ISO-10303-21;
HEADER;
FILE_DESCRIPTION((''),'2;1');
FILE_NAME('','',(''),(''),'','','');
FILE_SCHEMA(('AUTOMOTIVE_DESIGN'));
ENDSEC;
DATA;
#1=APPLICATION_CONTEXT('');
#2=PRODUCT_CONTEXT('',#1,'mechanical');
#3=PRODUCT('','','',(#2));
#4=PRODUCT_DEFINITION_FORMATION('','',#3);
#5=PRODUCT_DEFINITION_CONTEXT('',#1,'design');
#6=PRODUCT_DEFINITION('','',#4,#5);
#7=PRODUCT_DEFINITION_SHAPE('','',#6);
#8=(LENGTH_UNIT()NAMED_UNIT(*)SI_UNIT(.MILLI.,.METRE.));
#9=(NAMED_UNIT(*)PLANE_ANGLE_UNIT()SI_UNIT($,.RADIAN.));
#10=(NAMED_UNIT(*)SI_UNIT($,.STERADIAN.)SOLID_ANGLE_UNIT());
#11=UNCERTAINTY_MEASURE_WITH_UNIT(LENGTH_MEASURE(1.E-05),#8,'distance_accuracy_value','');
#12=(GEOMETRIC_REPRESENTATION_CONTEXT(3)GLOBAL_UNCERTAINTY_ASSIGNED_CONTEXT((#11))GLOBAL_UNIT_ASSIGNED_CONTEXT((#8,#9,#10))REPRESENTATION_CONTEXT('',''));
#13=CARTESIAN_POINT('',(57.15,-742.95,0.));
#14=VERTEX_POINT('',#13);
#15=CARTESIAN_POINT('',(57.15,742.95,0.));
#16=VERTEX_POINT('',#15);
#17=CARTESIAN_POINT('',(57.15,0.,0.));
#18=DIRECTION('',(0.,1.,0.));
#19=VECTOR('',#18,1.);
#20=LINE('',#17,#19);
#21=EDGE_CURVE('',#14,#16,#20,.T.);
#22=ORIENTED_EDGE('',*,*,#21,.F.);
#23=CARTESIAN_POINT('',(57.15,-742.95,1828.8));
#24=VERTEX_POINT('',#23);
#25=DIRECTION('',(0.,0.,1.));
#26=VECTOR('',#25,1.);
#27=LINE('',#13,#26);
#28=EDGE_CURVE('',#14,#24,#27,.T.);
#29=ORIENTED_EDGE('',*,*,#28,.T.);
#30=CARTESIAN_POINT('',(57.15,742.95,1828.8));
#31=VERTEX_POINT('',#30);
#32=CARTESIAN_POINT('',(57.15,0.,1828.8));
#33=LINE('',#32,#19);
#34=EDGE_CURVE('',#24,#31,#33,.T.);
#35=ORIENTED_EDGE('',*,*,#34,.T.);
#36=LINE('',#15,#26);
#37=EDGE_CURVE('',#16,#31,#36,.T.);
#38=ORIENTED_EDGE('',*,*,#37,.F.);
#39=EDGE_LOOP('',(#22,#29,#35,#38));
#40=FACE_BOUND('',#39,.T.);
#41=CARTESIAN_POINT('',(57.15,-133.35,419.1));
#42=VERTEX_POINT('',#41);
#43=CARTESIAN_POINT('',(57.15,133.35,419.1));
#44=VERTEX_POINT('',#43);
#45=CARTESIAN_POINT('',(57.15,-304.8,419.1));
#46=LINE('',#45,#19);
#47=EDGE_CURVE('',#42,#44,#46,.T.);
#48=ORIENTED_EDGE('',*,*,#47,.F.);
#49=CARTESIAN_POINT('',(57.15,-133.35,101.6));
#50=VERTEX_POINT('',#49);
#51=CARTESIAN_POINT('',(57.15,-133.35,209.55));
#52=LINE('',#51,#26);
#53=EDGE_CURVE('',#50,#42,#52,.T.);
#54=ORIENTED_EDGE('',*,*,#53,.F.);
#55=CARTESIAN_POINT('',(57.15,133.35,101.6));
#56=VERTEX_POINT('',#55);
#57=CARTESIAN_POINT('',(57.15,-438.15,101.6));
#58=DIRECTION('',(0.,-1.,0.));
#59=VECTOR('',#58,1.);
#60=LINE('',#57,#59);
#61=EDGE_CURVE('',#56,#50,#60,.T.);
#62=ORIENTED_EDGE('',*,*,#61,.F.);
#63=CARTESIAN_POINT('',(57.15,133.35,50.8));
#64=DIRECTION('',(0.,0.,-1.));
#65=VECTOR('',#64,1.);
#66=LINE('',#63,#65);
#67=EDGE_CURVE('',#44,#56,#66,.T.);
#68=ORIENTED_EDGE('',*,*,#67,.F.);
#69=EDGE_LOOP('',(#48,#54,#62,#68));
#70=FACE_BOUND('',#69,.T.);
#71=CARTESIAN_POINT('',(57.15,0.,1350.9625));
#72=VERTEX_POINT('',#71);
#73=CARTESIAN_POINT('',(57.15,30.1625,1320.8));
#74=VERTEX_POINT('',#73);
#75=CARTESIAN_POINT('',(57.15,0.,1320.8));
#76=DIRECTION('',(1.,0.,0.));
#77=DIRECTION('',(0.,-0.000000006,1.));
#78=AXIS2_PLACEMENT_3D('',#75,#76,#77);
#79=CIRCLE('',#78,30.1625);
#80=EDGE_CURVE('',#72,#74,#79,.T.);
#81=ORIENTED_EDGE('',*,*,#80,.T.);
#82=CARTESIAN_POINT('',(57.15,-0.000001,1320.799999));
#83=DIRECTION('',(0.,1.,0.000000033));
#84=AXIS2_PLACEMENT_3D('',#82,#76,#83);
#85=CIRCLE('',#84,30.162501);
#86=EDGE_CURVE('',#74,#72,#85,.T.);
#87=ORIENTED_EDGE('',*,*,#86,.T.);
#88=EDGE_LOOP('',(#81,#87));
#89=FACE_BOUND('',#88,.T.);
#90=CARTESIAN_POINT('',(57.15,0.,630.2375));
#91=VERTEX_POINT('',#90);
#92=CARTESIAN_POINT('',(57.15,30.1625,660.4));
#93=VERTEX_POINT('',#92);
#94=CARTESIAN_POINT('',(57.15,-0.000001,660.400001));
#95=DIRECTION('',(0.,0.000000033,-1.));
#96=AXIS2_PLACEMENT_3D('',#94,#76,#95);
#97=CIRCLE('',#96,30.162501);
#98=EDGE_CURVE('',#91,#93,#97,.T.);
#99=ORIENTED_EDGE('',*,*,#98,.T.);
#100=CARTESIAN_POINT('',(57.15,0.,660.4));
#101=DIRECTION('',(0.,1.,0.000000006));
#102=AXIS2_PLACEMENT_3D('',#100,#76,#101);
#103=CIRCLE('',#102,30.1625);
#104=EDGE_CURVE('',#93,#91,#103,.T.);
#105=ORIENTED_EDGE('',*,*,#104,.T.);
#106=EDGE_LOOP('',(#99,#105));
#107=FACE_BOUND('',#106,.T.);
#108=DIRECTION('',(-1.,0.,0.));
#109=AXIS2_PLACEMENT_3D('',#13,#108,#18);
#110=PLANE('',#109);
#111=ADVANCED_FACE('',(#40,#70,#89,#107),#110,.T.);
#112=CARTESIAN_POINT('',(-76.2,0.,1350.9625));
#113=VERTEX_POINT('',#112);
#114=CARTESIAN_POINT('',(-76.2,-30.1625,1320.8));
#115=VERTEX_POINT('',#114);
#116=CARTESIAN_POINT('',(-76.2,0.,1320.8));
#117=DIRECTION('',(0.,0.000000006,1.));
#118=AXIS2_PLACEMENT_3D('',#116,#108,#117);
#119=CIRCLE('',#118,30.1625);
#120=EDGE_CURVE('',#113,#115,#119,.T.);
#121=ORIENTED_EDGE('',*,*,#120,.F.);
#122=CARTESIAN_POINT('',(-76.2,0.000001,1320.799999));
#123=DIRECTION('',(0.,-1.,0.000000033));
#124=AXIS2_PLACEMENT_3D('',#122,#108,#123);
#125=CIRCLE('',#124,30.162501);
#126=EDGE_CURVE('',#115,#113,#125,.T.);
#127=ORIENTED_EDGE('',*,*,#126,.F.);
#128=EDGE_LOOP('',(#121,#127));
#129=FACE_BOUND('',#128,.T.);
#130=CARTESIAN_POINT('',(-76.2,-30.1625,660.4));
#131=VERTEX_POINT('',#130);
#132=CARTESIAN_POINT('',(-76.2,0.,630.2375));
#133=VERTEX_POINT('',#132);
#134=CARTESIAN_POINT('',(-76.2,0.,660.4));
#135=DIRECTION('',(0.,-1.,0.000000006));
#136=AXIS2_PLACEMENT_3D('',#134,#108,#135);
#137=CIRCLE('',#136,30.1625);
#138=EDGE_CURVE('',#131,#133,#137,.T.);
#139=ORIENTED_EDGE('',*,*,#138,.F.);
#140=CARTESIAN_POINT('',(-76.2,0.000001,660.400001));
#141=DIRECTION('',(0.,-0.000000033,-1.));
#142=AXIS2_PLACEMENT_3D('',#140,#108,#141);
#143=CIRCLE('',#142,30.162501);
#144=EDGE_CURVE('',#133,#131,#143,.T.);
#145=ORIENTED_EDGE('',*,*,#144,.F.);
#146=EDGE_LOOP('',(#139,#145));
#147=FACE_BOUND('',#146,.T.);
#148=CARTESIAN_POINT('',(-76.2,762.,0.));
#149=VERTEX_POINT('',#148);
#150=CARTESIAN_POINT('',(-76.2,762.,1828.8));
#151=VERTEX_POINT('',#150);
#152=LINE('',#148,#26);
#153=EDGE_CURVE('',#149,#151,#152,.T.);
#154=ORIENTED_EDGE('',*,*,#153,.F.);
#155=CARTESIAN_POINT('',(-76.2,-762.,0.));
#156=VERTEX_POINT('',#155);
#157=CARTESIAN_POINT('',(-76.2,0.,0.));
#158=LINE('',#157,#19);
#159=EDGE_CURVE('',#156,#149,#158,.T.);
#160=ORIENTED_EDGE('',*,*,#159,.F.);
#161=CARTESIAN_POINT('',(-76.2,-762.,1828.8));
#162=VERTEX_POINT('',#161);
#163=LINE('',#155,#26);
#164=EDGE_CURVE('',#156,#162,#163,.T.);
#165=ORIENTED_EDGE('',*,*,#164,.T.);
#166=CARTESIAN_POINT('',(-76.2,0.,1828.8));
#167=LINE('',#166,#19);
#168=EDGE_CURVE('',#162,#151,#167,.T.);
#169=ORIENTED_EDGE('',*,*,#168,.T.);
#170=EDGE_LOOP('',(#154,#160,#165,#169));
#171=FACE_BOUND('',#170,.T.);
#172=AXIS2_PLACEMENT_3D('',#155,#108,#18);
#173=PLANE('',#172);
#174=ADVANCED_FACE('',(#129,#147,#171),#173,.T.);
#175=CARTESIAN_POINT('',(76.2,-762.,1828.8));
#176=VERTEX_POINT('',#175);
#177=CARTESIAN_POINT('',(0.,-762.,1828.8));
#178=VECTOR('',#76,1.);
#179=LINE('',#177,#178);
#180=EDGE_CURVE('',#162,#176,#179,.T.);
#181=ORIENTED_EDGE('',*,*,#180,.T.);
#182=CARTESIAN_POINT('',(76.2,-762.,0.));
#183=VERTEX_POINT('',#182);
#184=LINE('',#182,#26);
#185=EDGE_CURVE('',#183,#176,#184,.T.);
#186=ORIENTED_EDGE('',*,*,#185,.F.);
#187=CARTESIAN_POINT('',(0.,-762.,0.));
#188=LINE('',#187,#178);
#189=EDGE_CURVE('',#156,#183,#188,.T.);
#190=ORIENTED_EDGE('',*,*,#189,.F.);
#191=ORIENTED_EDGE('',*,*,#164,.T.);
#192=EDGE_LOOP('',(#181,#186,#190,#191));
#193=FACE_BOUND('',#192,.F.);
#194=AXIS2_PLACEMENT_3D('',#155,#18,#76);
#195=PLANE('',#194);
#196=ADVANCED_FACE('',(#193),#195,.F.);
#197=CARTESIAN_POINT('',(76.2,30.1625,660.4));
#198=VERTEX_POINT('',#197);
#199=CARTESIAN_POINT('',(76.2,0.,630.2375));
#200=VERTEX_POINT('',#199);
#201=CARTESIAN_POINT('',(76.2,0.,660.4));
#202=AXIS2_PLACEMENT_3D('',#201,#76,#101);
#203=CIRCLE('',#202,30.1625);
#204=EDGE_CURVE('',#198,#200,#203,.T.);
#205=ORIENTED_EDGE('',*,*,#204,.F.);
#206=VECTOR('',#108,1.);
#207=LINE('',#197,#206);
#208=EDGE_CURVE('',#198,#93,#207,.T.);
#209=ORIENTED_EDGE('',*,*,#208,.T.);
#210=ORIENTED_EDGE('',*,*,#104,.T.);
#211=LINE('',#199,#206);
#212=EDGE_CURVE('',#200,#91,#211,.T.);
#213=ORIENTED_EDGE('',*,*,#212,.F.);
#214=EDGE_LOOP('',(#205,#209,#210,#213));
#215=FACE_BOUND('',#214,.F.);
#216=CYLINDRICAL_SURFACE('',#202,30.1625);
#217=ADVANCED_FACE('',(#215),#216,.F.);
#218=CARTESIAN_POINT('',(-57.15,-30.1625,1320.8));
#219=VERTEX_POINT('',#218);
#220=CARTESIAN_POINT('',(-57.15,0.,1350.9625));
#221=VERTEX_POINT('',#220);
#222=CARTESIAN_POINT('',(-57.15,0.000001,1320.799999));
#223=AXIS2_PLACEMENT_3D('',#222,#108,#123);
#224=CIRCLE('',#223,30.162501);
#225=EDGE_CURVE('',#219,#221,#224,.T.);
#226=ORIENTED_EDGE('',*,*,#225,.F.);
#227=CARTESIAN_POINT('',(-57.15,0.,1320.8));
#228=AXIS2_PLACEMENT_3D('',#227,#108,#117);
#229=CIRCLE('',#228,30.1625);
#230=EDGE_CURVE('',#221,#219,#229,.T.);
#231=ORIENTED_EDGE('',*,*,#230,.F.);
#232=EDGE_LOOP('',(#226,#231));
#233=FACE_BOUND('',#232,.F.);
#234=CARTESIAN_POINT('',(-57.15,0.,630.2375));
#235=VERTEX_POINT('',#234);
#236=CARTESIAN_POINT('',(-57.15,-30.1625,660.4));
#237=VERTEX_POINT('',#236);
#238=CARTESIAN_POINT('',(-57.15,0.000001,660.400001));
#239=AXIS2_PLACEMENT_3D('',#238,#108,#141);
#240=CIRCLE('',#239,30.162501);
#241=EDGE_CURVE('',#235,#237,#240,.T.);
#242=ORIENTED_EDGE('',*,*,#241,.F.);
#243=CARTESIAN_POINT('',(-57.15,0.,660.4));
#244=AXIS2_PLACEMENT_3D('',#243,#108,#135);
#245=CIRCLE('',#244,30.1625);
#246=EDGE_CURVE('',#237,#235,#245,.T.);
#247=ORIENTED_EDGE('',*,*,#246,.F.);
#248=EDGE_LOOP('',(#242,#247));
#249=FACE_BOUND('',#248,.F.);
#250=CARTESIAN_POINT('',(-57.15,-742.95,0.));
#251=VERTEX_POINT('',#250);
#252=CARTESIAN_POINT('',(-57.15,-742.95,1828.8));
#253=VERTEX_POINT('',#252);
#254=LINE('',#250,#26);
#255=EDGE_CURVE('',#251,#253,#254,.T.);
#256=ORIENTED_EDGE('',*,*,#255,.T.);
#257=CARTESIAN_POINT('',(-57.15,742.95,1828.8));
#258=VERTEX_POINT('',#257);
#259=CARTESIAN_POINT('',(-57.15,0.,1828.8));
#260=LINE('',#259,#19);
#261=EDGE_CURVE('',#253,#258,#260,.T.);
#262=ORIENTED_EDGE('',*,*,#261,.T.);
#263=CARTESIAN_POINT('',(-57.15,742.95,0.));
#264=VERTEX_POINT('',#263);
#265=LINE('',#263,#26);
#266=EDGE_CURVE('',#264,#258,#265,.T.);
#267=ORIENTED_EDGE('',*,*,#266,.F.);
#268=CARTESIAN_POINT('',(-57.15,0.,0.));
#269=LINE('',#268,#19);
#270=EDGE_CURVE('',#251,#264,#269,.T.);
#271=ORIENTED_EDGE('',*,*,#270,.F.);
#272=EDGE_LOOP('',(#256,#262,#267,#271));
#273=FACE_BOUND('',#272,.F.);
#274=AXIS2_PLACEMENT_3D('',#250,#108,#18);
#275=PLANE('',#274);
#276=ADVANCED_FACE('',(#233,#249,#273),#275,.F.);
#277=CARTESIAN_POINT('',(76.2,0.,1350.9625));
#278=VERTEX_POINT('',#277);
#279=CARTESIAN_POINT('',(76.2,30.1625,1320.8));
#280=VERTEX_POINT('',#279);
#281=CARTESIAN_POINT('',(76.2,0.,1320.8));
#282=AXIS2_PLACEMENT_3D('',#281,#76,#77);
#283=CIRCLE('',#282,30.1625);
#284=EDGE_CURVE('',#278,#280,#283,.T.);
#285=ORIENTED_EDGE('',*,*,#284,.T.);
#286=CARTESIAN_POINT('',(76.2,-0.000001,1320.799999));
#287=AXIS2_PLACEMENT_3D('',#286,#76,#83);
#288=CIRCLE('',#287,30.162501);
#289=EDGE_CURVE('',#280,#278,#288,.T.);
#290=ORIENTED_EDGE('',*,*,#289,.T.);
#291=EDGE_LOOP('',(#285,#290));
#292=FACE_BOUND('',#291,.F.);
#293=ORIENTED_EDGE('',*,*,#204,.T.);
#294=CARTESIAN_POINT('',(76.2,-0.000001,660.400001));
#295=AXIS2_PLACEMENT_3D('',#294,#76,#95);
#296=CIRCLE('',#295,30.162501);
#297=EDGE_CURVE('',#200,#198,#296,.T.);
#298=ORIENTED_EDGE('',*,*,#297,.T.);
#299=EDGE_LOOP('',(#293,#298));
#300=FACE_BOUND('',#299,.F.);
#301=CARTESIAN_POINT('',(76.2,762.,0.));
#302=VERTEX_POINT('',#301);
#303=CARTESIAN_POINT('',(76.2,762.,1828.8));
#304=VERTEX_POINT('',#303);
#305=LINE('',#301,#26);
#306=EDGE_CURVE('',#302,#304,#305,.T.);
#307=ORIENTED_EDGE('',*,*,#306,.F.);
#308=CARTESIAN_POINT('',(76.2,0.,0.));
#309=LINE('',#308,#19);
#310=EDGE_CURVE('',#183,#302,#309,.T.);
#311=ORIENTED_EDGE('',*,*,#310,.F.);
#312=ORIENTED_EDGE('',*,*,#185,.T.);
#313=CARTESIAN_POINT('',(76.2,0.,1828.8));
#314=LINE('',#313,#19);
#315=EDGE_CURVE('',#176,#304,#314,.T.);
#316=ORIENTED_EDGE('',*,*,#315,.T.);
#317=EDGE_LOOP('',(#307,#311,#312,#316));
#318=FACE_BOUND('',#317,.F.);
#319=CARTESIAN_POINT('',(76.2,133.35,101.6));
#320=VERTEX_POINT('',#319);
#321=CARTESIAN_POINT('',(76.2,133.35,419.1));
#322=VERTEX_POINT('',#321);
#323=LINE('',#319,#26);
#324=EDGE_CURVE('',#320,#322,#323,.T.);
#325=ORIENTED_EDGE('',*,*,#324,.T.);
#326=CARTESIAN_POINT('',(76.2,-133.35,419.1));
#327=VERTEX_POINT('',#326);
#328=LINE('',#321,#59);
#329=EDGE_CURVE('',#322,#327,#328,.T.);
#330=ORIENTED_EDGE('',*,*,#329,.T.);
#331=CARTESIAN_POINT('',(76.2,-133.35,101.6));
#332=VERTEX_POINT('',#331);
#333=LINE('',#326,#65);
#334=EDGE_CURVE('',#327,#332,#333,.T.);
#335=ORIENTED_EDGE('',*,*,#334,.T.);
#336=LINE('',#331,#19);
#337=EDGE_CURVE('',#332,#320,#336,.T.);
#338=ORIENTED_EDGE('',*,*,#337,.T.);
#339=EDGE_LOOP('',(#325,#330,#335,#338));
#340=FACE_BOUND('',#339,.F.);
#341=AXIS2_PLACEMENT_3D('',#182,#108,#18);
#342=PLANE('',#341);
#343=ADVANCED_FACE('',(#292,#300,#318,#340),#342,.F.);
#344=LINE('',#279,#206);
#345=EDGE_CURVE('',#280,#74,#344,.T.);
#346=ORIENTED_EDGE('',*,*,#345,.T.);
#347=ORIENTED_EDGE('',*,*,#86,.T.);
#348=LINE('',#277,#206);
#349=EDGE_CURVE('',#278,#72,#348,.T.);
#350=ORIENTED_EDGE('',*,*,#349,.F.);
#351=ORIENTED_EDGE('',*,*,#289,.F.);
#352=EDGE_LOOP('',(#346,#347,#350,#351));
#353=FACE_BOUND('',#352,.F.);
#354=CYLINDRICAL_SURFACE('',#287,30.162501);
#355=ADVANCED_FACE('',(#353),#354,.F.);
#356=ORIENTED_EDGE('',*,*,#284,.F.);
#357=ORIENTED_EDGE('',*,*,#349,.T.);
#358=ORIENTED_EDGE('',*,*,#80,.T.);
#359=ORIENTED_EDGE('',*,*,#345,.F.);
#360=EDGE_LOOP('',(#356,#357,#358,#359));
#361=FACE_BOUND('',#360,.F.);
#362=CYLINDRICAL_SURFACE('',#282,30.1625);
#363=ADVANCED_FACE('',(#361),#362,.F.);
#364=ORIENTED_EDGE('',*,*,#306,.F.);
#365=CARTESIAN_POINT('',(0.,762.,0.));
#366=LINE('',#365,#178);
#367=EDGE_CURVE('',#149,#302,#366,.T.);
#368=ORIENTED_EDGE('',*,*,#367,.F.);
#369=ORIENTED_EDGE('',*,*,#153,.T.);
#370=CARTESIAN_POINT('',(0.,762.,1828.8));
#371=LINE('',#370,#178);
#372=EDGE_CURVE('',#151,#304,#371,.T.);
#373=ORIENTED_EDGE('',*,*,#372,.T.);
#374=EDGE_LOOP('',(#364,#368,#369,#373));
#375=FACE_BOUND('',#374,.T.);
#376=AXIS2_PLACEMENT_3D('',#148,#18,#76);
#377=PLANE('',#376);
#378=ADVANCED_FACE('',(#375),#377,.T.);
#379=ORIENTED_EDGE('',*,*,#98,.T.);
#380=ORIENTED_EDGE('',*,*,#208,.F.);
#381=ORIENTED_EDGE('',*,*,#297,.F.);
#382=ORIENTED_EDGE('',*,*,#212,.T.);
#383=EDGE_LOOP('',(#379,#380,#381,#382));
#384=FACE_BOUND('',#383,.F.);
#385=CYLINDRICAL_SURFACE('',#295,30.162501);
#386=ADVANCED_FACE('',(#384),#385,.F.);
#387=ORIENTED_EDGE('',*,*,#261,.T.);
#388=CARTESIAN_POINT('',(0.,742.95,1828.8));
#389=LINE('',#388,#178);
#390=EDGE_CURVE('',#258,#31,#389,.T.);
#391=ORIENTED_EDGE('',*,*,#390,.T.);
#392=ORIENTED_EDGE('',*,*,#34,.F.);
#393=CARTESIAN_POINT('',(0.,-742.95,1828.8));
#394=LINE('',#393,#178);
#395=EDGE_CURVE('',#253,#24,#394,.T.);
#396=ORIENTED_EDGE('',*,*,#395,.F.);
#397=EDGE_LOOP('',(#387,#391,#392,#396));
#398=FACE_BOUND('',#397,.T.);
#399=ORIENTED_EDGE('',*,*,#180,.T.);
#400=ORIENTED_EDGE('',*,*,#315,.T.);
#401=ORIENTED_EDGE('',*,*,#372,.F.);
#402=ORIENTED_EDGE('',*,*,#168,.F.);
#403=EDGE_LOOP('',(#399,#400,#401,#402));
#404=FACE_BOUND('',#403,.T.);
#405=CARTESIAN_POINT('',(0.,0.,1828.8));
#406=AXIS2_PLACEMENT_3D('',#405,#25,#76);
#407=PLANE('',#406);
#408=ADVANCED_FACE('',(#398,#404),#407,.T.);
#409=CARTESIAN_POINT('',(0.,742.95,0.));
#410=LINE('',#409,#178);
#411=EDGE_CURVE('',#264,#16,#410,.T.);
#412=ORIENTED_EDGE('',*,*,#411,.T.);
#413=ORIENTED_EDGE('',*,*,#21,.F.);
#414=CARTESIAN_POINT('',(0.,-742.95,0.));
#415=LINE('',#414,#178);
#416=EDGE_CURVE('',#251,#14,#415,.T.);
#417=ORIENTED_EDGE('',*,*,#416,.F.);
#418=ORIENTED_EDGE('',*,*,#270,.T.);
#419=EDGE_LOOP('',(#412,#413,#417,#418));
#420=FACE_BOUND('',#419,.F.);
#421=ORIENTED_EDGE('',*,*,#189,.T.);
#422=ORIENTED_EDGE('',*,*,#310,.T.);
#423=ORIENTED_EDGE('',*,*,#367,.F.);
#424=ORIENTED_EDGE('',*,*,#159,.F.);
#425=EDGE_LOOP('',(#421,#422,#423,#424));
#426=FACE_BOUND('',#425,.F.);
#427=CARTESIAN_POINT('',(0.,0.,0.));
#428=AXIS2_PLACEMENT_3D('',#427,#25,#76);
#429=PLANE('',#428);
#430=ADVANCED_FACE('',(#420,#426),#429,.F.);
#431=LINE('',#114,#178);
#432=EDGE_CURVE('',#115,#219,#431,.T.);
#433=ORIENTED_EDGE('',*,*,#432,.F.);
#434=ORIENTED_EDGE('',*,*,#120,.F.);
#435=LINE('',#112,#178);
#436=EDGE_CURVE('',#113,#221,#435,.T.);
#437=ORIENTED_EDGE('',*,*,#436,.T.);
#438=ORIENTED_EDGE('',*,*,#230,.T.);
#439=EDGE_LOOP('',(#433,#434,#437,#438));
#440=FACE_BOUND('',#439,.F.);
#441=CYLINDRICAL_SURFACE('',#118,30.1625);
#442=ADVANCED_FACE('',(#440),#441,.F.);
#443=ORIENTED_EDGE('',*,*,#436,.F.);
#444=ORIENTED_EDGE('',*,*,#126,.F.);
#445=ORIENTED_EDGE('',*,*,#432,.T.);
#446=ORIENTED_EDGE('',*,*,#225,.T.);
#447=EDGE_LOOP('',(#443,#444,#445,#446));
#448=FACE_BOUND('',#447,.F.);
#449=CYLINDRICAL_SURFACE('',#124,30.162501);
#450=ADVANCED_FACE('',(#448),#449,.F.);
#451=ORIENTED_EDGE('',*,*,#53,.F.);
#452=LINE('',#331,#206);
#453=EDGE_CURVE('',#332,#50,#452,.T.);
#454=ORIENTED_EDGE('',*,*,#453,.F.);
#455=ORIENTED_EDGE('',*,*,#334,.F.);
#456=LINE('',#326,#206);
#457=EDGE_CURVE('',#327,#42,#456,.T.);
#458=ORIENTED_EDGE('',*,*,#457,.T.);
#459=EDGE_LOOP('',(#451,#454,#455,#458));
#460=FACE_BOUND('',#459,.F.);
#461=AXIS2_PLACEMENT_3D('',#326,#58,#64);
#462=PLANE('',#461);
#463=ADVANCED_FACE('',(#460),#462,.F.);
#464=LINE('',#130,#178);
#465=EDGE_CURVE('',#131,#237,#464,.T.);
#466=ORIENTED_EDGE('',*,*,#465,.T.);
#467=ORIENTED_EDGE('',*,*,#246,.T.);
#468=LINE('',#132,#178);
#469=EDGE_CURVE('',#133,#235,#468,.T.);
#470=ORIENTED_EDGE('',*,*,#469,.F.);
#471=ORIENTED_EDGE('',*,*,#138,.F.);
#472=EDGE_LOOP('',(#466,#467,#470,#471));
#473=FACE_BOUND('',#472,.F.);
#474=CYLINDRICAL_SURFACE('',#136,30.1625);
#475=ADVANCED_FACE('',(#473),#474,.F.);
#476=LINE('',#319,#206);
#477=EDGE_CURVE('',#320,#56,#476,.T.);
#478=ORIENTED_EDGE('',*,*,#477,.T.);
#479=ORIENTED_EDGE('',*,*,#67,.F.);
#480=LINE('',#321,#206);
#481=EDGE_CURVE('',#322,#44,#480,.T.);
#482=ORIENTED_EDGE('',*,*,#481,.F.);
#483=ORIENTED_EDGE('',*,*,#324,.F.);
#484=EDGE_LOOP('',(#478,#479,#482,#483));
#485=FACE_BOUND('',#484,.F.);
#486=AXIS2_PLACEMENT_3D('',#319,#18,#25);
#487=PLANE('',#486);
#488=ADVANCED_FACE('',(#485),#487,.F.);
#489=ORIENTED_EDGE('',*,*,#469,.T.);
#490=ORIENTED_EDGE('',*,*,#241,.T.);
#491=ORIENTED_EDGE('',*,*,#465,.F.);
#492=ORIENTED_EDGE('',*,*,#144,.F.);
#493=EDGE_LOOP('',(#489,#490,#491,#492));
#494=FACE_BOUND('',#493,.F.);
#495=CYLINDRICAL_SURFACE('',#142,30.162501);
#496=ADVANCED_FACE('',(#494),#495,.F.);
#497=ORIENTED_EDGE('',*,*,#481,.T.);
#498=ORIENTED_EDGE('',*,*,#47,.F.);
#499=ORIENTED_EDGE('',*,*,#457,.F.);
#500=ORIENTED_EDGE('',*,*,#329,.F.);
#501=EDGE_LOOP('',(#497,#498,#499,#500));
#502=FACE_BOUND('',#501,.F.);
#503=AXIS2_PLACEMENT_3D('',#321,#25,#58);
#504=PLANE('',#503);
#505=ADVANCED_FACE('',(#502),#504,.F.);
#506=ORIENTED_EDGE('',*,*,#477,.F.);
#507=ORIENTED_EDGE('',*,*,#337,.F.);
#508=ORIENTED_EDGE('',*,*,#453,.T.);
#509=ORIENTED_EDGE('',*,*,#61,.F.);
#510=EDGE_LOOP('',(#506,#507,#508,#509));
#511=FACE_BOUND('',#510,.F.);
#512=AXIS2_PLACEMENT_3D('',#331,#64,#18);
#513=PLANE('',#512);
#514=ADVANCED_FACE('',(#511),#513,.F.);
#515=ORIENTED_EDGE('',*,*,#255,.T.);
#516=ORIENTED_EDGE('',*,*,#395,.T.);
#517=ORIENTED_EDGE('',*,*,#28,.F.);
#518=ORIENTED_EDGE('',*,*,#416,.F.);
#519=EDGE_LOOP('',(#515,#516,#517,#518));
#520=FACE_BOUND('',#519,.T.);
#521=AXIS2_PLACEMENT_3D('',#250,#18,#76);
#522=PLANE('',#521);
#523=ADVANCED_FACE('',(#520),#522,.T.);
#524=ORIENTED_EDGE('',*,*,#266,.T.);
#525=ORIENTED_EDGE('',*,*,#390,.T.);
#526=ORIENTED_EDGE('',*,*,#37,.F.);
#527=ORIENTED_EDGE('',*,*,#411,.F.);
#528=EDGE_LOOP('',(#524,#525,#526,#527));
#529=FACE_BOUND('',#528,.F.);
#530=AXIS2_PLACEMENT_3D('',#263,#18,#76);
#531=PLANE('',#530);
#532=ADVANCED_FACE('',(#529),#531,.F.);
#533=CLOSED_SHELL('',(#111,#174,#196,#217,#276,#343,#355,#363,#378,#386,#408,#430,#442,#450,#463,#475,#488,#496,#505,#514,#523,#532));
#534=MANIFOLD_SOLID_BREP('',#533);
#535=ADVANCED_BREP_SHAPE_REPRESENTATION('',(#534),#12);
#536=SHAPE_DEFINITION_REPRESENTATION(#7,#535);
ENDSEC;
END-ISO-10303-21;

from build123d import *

# Parameters (mm, degrees)
F0_W     = 152.4
F0_H     = 1524
F0_W_2   = 114.3
F0_H_2   = 1485.9
F1_DEPTH = 1828.8
F3_DEPTH = 25.4
F5_DEPTH = 25.4


with BuildPart() as f1:
    # F0 (on Top) → F1 (new body)
    with BuildSketch(Plane.XY):
        Rectangle(F0_W, F0_H)
        Rectangle(F0_W_2, F0_H_2, mode=Mode.SUBTRACT)
    extrude(amount=F1_DEPTH)

    # F2 (on face) → F3 (cut)
    with BuildSketch(Plane.YZ.offset(76.2)):
        Polygon((-133.35, 101.6), (0, 101.6), (0, 260.35), (0, 419.1), (-133.35, 419.1), align=None)
        Polygon((0, 260.35), (0, 101.6), (133.35, 101.6), (133.35, 419.1), (0, 419.1), align=None)
        with BuildLine():
            ThreePointArc((30.1625, 660.4), (-21.328108, 681.728108), (0, 630.2375))
            ThreePointArc((0, 630.2375), (21.328108, 639.071892), (30.1625, 660.4))
        make_face()
        with BuildLine():
            ThreePointArc((30.1625, 1320.8), (21.328108, 1342.128108), (0, 1350.9625))
            ThreePointArc((0, 1350.9625), (-21.328108, 1299.471892), (30.1625, 1320.8))
        make_face()
    extrude(amount=-F3_DEPTH, mode=Mode.SUBTRACT)

    # F4 (on face) → F5 (cut)
    with BuildSketch(Plane(origin=(-76.2, 0, 0), x_dir=(0, -1, 0), z_dir=(-1, 0, 0))):
        with BuildLine():
            ThreePointArc((30.1625, 1320.8), (21.328108, 1342.128108), (0, 1350.9625))
            ThreePointArc((0, 1350.9625), (-21.328108, 1299.471892), (30.1625, 1320.8))
        make_face()
        with BuildLine():
            ThreePointArc((30.1625, 660.4), (-21.328108, 681.728108), (0, 630.2375))
            ThreePointArc((0, 630.2375), (21.328108, 639.071892), (30.1625, 660.4))
        make_face()
    extrude(amount=-F5_DEPTH, mode=Mode.SUBTRACT)


solid = f1.part
